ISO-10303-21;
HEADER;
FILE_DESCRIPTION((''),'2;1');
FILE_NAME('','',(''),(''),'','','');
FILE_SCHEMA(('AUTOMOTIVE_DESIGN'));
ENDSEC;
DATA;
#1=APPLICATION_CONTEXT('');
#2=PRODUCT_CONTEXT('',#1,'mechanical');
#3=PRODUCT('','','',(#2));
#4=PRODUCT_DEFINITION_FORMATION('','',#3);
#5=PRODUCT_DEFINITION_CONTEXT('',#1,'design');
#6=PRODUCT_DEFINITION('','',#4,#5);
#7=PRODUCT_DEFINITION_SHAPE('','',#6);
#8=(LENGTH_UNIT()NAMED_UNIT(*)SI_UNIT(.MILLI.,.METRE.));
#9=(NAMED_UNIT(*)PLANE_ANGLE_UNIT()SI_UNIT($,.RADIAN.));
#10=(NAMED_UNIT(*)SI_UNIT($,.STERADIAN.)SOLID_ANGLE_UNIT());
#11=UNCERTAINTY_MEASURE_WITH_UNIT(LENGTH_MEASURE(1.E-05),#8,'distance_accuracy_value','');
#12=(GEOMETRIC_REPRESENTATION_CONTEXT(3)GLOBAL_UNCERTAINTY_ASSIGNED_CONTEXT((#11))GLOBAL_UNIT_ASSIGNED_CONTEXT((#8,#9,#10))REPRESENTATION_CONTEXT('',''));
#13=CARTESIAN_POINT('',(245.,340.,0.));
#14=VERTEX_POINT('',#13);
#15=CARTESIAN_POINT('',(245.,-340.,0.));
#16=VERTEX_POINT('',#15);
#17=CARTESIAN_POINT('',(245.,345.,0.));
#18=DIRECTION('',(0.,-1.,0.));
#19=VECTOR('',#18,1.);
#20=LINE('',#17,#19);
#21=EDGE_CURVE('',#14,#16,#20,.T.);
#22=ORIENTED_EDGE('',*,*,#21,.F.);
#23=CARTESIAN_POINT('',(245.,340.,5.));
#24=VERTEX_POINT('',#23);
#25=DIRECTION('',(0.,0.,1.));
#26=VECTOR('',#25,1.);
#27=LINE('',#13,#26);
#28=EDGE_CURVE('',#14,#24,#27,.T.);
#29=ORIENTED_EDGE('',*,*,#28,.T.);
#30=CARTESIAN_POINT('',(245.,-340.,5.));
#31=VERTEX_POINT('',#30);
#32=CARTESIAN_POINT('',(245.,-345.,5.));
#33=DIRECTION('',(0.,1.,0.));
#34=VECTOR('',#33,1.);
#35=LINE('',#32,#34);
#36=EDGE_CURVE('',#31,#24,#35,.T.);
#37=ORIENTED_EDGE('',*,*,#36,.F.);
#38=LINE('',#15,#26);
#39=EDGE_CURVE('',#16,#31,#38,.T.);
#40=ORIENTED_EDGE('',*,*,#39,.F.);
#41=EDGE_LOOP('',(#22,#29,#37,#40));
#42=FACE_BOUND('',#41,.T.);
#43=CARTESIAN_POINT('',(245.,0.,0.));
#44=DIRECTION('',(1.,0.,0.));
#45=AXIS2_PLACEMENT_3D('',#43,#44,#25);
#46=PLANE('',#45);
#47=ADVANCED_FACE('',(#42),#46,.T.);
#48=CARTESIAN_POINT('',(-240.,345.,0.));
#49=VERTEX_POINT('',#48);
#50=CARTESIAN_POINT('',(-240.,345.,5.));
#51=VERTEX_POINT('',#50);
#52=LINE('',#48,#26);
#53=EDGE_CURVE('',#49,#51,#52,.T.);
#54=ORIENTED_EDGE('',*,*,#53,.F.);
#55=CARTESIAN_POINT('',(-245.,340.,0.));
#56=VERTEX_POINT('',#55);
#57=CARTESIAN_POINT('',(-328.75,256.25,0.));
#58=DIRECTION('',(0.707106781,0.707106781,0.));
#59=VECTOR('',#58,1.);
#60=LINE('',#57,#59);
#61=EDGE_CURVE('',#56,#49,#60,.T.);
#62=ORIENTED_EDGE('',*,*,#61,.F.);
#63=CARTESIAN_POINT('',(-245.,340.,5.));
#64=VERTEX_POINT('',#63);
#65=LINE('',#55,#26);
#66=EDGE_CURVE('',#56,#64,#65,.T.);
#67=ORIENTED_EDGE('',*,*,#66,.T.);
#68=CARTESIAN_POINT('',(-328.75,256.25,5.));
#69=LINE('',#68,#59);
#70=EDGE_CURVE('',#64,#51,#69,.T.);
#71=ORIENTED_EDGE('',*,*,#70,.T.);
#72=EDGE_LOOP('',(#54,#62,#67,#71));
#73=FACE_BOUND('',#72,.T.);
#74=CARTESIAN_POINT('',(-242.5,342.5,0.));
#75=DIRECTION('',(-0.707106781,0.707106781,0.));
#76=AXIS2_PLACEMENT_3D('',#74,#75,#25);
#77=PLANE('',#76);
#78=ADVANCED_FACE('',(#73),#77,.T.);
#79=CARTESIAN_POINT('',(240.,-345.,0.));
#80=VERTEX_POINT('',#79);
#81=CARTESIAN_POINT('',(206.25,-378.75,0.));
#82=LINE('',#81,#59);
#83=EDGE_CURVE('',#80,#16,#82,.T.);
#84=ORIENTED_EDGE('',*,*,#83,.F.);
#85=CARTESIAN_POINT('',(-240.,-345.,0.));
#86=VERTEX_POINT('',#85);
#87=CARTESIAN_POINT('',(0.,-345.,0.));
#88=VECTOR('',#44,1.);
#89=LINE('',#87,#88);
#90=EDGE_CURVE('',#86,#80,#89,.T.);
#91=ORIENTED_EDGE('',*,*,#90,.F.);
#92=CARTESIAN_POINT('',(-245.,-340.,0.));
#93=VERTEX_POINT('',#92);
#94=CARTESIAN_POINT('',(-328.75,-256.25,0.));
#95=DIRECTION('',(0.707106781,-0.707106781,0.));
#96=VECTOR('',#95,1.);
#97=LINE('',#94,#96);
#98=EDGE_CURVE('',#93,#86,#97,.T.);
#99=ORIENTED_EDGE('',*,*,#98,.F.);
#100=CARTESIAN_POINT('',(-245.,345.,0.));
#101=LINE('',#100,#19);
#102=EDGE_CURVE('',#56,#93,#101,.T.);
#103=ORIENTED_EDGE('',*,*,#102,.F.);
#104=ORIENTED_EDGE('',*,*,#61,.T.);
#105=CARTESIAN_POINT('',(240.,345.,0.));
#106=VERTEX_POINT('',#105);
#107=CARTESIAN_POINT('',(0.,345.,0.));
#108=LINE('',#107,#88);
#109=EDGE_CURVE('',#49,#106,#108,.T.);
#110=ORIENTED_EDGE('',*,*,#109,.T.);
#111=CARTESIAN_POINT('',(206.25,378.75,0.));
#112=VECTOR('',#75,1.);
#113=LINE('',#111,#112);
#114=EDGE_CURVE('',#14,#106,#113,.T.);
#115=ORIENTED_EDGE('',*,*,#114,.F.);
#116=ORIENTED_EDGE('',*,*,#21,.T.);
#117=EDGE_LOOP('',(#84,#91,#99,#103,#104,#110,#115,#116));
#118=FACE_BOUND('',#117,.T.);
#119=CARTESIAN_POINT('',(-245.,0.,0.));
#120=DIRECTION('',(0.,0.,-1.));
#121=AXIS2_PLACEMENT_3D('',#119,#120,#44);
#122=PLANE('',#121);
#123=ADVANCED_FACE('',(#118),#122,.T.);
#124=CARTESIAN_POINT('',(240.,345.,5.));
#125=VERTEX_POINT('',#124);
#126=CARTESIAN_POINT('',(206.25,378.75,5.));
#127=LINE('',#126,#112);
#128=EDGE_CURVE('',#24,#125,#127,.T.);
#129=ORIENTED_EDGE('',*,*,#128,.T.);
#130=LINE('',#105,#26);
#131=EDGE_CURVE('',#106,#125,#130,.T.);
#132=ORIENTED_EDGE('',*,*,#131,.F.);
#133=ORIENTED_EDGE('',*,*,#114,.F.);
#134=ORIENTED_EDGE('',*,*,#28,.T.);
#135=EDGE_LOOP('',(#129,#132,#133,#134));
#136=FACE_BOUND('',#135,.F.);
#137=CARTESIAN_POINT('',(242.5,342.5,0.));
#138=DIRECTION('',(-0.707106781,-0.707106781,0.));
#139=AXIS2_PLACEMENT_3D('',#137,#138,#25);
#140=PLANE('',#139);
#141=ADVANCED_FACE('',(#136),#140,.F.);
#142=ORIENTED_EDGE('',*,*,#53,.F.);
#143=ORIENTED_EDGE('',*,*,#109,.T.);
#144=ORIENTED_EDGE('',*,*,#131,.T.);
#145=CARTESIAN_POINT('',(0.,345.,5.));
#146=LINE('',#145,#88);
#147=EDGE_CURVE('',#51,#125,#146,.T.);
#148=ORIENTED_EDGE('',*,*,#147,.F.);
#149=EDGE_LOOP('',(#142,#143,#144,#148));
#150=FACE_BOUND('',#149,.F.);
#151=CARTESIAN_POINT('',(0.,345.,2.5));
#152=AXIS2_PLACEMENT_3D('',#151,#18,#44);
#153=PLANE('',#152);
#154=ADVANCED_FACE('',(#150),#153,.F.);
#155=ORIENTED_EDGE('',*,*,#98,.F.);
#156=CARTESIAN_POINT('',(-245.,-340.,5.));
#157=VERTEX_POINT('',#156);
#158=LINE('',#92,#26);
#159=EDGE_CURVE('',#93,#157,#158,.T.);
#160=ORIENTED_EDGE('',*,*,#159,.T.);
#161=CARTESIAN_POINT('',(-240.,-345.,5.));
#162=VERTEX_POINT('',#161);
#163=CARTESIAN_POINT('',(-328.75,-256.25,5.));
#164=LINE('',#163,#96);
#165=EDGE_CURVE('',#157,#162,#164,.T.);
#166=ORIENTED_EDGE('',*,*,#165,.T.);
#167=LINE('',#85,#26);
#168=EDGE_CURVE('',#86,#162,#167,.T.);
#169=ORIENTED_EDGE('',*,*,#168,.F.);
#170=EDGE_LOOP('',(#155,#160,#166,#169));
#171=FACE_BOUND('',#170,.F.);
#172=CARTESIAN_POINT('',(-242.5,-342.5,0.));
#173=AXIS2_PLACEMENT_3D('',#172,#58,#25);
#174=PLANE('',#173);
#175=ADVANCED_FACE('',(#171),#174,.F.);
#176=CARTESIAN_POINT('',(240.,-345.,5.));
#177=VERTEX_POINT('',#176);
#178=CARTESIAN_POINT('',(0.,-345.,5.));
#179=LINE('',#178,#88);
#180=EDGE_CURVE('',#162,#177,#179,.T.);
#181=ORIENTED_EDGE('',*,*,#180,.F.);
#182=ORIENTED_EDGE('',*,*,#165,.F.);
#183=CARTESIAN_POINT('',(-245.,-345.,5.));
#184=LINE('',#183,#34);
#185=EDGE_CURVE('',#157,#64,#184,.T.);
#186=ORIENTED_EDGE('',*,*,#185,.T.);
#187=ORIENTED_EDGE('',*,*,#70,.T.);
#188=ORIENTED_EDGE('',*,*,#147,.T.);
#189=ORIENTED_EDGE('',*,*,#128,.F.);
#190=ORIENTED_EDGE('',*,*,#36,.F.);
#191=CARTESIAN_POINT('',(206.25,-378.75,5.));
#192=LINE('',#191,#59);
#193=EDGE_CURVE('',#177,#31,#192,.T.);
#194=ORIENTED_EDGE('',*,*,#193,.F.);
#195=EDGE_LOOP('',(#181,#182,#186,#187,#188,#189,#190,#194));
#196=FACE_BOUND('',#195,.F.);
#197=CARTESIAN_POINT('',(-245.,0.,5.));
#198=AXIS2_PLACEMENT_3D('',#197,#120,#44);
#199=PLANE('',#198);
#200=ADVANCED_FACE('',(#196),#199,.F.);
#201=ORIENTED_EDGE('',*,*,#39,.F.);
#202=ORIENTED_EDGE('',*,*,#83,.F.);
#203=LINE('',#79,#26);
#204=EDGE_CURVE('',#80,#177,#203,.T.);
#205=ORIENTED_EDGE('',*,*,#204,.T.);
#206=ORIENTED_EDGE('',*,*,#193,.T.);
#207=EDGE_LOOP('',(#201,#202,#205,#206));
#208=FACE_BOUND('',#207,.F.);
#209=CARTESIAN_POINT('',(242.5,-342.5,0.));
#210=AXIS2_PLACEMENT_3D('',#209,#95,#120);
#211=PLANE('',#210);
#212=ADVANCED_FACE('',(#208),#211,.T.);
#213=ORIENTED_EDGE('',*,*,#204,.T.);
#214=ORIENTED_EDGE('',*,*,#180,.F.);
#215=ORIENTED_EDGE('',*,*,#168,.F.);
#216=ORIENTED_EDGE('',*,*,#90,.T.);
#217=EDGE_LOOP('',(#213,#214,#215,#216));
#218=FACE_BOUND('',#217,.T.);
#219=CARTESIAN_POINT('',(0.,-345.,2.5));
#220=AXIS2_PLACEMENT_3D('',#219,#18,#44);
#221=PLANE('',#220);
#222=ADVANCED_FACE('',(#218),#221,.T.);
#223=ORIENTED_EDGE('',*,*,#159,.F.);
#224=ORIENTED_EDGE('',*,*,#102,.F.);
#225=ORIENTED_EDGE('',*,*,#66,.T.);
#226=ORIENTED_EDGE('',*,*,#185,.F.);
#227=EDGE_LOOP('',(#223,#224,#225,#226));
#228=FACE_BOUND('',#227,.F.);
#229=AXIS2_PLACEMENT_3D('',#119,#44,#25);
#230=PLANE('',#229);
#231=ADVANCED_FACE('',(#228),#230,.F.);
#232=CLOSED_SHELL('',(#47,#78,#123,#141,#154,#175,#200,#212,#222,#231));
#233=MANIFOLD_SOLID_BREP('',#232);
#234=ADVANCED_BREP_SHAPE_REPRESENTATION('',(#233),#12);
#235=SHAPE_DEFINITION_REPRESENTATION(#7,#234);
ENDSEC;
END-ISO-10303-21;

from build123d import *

# Parameters (mm, degrees)
F0_W          = 490
F0_H          = 5
F1_DEPTH      = 345
F1_DEPTH_BACK = 345
F2_SIZE       = 5


with BuildPart() as f1:
    # F0 (on Front) → F1 (new body, two sides)
    with BuildSketch(Plane.XZ) as f1_sk:
        with Locations((0, 2.5)):
            Rectangle(F0_W, F0_H)
    extrude(amount=F1_DEPTH)
    extrude(f1_sk.sketch, amount=-F1_DEPTH_BACK)

    # F2
    f2_edges = [f1.edges().sort_by_distance(p)[0] for p in [
        (245, -345, 2.5),
        (245, 345, 2.5),
        (-245, 345, 2.5),
        (-245, -345, 2.5),
    ]]
    chamfer(f2_edges, length=F2_SIZE)


solid = f1.part
